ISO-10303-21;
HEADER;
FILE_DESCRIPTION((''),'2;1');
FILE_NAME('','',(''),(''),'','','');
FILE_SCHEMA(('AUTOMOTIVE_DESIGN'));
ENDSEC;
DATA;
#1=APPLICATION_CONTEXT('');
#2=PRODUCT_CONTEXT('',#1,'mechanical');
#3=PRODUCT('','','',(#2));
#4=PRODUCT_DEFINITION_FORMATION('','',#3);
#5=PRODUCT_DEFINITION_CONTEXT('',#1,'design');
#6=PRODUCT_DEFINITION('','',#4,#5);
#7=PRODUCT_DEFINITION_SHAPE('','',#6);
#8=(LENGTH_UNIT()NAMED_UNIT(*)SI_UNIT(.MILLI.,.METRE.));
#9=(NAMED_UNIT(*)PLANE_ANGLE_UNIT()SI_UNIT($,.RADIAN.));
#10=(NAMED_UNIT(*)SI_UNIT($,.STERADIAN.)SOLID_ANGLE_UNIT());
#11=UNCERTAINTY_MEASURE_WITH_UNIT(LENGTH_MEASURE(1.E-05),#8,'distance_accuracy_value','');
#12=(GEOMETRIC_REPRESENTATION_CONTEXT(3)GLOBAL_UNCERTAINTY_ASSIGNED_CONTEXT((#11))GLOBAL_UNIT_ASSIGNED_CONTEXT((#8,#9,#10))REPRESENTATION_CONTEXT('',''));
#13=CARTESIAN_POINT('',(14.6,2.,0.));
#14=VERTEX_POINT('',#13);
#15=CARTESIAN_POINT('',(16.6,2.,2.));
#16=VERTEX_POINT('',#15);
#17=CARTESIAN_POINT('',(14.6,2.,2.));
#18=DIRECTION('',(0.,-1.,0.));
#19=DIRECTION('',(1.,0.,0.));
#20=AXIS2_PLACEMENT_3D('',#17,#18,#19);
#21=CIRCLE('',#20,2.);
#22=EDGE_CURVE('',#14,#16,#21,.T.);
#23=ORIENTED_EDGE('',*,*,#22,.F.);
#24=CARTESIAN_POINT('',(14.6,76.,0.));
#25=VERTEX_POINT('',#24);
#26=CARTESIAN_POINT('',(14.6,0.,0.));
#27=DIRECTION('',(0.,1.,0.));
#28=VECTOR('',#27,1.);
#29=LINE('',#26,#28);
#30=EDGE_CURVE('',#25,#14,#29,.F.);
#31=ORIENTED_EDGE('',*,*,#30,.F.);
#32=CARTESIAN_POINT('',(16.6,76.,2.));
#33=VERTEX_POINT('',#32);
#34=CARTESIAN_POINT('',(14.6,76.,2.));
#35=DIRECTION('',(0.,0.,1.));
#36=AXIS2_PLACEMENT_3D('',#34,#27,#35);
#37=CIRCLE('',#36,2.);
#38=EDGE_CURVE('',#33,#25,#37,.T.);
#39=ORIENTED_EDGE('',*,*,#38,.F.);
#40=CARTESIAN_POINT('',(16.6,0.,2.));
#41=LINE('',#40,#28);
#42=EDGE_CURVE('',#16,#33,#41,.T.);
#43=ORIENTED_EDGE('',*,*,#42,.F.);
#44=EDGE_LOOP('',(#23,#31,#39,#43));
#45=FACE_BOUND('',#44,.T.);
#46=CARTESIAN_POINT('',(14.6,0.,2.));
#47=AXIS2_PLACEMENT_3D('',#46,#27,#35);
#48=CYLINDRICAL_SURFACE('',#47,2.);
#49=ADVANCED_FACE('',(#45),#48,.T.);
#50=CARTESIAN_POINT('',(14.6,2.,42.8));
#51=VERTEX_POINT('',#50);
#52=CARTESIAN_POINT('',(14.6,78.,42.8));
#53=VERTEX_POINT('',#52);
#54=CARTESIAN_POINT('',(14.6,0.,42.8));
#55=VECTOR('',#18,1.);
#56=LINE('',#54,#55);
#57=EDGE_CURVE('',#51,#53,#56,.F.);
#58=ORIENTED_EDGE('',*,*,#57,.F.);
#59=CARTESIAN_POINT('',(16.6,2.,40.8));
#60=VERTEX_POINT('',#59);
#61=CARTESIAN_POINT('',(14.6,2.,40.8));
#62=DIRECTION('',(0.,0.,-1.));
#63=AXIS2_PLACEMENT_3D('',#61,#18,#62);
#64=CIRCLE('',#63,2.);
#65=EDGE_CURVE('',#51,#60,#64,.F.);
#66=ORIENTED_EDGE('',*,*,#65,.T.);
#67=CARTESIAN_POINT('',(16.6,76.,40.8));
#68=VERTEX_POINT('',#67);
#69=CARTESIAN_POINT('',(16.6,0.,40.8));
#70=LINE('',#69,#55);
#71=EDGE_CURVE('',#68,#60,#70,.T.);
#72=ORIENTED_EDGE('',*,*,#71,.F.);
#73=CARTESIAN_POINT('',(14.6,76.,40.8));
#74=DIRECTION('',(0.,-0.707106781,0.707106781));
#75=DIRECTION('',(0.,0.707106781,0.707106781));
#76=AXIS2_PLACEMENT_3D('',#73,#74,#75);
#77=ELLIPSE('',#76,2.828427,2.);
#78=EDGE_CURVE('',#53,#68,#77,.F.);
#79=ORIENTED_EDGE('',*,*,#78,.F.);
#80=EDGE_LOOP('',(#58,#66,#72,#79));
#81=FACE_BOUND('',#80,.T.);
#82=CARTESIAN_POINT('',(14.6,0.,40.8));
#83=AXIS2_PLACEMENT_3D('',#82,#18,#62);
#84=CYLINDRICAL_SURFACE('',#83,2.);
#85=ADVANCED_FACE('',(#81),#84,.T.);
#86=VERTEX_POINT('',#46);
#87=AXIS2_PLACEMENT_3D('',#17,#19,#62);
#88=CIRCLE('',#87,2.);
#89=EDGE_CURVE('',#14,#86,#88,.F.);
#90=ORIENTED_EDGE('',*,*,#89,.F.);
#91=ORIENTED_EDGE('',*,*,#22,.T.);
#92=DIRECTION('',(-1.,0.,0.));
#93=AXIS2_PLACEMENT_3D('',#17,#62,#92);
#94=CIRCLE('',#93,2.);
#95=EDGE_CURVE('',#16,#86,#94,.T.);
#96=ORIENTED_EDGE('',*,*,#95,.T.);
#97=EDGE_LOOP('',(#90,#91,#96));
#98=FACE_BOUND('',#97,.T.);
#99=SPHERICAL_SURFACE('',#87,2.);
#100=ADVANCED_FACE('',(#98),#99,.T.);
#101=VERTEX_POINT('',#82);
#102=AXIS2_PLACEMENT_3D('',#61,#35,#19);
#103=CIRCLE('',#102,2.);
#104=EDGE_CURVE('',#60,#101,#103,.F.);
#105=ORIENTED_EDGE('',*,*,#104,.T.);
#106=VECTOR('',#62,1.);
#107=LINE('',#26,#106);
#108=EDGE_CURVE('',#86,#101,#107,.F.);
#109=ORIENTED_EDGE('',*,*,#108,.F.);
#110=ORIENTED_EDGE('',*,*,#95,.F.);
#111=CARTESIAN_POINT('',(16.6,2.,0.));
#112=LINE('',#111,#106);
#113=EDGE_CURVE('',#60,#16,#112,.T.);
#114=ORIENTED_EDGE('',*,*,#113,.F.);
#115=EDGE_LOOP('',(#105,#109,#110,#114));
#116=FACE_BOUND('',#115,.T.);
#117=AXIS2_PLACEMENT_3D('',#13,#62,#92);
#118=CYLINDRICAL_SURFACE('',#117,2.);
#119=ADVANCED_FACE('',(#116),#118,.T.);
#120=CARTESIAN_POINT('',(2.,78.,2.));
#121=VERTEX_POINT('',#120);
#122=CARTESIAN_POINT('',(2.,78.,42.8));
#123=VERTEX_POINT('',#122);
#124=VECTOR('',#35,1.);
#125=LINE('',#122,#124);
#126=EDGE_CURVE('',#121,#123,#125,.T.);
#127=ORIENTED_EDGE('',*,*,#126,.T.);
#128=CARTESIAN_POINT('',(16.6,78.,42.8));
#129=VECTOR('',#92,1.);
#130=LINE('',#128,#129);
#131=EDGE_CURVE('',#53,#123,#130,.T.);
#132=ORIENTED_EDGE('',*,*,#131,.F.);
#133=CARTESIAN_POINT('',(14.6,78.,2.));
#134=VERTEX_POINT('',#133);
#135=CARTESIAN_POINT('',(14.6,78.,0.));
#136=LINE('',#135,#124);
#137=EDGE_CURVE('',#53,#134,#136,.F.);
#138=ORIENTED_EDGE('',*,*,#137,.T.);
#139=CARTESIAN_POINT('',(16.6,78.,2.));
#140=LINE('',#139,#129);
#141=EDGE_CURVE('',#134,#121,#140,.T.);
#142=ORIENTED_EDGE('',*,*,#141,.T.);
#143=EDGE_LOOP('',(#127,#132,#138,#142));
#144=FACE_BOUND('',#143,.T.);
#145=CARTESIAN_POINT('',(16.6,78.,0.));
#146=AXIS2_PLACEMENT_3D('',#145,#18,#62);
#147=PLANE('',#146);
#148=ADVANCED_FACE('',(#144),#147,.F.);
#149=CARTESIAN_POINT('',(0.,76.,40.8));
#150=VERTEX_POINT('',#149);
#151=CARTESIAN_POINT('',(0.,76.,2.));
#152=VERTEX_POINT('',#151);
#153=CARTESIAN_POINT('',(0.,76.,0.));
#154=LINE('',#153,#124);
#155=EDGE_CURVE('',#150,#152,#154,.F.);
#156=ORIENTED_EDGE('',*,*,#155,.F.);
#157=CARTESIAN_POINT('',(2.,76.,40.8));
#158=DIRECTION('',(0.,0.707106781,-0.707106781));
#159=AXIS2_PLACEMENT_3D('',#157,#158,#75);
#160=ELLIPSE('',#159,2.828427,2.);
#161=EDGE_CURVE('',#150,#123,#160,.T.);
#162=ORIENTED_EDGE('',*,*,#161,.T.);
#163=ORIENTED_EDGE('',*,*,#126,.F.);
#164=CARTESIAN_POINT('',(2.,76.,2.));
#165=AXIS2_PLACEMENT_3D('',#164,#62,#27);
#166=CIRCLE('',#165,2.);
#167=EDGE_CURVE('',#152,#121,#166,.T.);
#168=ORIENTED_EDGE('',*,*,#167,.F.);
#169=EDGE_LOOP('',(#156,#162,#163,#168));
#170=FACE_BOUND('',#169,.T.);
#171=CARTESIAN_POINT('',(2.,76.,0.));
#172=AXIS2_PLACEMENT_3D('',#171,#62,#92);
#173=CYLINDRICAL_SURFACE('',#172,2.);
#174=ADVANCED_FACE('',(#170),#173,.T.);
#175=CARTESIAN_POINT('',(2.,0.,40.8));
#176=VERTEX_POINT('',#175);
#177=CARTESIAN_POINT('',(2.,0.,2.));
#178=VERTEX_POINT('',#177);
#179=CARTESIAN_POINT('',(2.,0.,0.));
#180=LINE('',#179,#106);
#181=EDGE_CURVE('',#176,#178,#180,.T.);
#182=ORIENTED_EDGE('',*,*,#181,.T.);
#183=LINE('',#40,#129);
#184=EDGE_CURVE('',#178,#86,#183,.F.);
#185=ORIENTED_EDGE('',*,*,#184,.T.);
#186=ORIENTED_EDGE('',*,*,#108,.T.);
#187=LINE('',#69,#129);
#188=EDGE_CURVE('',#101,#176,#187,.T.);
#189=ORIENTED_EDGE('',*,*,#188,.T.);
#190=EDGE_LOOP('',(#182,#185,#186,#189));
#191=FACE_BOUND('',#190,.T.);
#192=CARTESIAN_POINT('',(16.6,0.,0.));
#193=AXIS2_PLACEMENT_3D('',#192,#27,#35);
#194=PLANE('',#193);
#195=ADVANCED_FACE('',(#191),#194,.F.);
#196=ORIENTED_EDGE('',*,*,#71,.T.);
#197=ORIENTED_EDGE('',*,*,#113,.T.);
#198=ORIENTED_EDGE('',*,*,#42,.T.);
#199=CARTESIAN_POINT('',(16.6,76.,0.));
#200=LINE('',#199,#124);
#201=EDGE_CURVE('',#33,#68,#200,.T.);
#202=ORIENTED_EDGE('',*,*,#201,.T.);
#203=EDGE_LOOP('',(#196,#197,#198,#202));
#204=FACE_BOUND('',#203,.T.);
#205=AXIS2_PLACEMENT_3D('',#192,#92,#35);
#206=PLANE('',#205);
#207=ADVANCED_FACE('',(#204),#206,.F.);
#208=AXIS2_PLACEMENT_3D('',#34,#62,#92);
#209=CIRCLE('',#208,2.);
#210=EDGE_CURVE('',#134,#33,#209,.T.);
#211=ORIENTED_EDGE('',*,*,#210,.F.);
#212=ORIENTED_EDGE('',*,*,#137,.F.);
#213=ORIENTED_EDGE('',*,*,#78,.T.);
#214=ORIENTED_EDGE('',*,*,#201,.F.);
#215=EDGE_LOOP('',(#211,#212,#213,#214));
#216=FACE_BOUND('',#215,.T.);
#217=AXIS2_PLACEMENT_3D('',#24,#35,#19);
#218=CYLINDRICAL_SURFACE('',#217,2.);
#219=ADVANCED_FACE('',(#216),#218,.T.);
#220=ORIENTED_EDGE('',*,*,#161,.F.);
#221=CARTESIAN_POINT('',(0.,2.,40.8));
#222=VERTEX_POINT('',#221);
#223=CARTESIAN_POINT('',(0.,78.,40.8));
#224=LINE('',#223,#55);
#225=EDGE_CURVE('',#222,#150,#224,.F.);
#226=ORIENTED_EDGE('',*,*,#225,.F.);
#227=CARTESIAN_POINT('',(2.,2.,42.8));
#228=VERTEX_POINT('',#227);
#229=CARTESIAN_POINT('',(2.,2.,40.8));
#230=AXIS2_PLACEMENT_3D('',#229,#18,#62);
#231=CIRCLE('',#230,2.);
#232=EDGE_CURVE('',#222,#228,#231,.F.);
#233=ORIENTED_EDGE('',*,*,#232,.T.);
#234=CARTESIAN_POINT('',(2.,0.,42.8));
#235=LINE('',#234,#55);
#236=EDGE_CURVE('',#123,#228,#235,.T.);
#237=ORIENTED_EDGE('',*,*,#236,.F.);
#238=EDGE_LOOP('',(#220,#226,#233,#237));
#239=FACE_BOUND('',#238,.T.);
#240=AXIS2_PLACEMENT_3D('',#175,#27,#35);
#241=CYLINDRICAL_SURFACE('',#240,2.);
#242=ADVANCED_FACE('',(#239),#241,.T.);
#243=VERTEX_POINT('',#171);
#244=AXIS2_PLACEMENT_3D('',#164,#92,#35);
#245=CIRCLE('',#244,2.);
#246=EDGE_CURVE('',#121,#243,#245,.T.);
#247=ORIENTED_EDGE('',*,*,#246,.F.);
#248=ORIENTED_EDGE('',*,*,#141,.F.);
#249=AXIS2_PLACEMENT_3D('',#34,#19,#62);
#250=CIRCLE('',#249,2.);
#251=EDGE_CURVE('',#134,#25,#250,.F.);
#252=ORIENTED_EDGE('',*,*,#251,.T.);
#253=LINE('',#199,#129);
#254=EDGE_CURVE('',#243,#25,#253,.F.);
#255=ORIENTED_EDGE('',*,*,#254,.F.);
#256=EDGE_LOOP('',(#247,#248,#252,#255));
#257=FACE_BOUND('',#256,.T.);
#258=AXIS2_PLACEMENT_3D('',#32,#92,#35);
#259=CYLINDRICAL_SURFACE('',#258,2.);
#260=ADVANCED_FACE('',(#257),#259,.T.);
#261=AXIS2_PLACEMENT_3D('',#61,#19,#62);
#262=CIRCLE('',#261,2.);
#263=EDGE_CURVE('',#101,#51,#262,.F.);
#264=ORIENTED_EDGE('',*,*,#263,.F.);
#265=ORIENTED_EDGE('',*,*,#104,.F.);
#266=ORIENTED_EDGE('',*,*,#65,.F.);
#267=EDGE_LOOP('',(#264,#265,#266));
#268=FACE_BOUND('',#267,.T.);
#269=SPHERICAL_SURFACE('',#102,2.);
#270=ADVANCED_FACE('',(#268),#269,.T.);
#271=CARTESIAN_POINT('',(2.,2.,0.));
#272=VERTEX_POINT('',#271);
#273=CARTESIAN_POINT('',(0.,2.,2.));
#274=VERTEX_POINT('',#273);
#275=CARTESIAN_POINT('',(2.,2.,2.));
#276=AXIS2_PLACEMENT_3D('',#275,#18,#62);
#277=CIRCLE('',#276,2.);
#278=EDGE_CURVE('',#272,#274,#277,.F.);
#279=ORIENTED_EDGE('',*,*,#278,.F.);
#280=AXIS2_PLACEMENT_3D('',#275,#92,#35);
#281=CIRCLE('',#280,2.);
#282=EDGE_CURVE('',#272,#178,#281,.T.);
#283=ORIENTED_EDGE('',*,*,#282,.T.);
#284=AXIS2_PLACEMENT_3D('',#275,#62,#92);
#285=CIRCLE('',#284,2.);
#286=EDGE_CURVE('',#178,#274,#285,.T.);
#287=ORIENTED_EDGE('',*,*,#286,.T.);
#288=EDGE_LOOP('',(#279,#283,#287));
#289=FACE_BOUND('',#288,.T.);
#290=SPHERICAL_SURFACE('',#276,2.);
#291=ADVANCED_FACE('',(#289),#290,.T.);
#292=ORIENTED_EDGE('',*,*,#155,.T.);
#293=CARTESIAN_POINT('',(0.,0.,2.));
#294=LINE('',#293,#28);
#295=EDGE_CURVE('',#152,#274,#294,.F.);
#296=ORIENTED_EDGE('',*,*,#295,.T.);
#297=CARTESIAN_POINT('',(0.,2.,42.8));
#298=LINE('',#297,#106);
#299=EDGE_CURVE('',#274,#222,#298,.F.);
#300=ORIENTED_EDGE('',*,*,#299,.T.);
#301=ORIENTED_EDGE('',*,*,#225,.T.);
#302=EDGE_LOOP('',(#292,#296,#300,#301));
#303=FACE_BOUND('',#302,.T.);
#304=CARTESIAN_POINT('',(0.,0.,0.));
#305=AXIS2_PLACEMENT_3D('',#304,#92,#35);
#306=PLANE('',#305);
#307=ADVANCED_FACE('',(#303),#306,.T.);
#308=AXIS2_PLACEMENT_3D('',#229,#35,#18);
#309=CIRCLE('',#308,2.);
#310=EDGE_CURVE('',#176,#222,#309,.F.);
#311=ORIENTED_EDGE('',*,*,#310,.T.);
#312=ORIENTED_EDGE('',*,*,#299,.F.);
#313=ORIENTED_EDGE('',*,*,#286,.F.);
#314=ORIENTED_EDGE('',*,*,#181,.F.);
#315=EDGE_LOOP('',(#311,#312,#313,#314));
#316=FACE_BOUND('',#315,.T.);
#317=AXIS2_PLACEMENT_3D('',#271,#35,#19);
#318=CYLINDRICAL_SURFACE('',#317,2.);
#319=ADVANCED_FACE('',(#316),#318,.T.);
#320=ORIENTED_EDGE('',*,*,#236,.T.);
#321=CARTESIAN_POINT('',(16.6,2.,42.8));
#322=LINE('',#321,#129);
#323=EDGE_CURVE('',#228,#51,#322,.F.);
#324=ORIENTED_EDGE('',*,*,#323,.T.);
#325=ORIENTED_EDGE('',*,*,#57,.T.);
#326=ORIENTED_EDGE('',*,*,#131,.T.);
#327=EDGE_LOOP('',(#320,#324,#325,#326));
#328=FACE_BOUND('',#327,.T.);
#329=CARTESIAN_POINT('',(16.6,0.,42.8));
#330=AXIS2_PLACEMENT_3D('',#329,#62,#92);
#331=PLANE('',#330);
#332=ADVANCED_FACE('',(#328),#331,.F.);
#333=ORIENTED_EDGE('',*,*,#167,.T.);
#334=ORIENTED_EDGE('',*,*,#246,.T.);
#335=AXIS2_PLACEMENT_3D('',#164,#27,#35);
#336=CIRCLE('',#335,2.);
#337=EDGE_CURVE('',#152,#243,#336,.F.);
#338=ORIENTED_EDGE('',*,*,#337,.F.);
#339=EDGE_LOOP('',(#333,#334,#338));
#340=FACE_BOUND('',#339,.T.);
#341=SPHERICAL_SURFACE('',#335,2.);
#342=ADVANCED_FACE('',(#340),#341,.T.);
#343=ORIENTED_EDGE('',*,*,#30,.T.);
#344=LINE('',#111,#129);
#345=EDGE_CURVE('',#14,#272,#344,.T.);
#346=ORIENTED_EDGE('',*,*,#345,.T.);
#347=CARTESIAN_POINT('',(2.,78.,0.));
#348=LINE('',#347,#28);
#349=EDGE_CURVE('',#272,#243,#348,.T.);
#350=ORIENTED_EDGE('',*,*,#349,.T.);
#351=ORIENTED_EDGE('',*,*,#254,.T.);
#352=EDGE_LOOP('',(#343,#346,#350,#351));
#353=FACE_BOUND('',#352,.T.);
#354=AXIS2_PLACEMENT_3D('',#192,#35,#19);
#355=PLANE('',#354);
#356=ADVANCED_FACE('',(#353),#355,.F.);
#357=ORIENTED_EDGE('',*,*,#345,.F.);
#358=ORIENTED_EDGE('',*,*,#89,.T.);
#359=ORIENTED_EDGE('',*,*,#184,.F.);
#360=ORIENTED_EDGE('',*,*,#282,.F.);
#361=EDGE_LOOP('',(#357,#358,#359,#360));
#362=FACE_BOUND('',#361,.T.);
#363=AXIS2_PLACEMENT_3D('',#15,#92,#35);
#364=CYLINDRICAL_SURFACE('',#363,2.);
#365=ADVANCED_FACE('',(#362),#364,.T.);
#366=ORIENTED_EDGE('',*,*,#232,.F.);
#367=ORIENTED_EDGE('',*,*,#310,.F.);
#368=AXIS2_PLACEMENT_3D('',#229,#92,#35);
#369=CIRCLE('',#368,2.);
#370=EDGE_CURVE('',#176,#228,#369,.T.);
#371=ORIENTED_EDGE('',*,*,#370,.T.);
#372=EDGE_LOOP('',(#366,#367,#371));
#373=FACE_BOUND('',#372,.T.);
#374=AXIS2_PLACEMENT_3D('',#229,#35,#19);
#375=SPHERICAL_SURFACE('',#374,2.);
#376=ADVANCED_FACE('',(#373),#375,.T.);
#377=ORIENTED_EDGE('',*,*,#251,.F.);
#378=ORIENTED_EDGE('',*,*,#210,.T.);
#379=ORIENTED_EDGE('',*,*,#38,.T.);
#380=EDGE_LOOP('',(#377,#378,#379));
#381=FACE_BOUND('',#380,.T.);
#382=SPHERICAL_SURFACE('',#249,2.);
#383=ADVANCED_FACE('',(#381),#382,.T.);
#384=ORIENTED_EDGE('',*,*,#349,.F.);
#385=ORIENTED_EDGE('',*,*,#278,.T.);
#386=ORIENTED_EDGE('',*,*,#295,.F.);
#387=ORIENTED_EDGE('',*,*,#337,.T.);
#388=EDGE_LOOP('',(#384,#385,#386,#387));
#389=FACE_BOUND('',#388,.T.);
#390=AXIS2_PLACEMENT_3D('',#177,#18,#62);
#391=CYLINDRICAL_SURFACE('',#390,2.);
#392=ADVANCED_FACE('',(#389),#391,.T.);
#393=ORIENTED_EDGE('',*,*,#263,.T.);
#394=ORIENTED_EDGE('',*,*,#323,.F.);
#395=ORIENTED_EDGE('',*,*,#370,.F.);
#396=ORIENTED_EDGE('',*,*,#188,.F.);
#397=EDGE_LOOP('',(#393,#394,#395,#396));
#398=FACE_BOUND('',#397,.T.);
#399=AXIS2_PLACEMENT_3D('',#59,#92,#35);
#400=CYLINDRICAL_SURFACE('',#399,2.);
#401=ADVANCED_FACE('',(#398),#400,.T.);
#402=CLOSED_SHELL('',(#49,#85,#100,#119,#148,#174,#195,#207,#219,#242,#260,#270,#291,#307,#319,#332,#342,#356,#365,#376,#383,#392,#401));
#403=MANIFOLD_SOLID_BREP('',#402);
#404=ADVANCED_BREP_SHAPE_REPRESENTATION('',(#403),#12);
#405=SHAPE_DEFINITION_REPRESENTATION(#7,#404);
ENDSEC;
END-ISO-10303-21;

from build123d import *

# Parameters (mm, degrees)
SKETCH1_W           = 78
SKETCH1_H           = 42.8
BOSS_EXTRUDE1_DEPTH = 16.6
FILLET1_R           = 2


with BuildPart() as part:
    # Sketch1 → Boss-Extrude1 (new body)
    with BuildSketch(Plane.YZ):
        with Locations((39, 21.4)):
            Rectangle(SKETCH1_W, SKETCH1_H)
    extrude(amount=BOSS_EXTRUDE1_DEPTH)

    # Fillet1
    fillet1_edges = [part.edges().sort_by_distance(p)[0] for p in [
        (16.6, 78, 21.4),
        (16.6, 39, 42.8),
        (16.6, 0, 21.4),
        (0, 39, 42.8),
        (0, 78, 21.4),
        (0, 39, 0),
        (0, 0, 21.4),
        (8.3, 0, 42.8),
        (8.3, 78, 0),
        (8.3, 0, 0),
        (16.6, 39, 0),
    ]]
    fillet(fillet1_edges, radius=FILLET1_R)


solid = part.part
